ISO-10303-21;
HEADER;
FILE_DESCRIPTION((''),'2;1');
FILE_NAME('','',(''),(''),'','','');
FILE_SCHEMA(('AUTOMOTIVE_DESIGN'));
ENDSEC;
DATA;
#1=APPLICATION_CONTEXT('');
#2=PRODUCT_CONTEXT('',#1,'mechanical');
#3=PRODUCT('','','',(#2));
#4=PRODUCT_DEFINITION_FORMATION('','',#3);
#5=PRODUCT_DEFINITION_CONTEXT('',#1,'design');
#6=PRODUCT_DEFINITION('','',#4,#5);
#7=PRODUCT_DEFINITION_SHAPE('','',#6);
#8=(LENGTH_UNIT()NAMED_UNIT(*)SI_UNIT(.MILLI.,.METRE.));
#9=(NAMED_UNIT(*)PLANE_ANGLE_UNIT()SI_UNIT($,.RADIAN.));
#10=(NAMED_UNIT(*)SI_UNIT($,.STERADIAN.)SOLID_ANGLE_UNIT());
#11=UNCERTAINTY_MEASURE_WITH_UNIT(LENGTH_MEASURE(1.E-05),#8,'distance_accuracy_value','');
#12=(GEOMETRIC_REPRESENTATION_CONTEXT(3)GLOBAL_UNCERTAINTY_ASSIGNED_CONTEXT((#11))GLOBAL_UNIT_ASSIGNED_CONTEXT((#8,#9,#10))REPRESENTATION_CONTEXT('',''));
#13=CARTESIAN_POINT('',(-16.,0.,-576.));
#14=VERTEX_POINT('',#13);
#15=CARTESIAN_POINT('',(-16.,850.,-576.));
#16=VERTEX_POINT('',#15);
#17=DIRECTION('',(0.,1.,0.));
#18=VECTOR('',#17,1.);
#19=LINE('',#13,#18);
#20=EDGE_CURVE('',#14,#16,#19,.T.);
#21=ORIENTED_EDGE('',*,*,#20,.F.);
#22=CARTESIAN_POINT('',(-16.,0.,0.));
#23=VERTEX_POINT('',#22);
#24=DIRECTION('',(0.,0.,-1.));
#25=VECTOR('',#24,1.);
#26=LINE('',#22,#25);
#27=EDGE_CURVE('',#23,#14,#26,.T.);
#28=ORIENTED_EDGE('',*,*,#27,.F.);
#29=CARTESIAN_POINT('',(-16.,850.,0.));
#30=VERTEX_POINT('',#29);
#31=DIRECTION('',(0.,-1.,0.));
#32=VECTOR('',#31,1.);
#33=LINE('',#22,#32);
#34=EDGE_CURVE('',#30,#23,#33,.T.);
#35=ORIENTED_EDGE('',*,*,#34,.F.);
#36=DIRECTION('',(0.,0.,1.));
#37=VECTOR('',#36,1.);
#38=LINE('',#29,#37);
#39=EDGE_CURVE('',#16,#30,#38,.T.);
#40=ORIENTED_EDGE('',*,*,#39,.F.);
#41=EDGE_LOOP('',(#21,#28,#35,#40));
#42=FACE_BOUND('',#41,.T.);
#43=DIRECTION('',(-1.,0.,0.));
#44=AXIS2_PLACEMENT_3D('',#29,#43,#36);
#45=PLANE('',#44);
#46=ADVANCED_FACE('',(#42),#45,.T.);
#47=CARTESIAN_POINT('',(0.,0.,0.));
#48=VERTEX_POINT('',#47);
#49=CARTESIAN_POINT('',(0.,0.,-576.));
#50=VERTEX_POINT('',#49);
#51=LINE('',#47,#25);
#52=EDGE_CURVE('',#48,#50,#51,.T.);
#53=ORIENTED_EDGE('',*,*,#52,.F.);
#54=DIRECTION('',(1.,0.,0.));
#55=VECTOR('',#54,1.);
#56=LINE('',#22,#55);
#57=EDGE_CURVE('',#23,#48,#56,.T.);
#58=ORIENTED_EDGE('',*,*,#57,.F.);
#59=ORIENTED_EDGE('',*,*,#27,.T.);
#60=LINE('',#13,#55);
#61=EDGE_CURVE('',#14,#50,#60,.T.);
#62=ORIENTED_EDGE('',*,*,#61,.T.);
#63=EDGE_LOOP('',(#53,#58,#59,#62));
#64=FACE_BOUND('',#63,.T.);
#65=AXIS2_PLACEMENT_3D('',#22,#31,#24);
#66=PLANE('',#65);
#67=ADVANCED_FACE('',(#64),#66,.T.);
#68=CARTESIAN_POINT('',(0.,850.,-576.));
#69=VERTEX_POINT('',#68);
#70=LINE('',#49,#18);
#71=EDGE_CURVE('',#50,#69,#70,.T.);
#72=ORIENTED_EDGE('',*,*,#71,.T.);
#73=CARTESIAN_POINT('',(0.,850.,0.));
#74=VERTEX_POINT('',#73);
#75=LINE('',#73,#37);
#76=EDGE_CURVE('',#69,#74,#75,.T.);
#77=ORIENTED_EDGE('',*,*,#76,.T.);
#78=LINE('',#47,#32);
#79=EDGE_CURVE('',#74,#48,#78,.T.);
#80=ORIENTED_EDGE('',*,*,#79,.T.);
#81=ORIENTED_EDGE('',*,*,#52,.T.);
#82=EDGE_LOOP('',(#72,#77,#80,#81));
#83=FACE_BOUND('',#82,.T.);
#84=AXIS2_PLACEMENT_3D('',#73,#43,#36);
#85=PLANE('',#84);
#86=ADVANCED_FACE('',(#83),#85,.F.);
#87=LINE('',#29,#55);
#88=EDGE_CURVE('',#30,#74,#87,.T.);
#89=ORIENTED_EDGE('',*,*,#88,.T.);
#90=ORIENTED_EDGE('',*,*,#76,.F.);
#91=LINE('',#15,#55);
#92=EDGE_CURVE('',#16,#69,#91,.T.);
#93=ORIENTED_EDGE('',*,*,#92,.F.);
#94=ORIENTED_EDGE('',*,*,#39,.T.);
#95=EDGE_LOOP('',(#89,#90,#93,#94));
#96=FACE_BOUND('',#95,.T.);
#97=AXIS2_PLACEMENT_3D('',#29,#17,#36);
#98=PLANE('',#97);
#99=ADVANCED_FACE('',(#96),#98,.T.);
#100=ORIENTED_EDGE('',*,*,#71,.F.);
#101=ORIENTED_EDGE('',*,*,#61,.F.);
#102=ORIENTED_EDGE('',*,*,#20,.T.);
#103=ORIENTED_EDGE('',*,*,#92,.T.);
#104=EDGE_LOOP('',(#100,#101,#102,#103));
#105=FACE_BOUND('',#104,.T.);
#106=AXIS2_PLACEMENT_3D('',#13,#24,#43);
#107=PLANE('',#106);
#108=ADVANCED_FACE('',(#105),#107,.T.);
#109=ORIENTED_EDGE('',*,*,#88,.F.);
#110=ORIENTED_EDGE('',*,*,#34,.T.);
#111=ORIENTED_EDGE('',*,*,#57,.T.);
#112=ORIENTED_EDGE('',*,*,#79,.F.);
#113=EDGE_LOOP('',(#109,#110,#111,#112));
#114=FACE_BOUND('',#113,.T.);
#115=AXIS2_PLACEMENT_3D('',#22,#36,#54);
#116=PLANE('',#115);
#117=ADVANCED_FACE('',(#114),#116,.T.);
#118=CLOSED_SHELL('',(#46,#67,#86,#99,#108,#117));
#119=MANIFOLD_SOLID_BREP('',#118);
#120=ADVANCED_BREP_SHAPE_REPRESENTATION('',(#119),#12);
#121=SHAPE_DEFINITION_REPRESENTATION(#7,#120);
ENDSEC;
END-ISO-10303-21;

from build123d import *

# Parameters (mm, degrees)
SKETCH1_W      = 576
SKETCH1_H      = 850
EXTRUDE1_DEPTH = 16


with BuildPart() as part:
    # Sketch1 → Extrude1 (new body)
    with BuildSketch(Plane(origin=(0, 0, 0), x_dir=(0, 0, -1), z_dir=(1, 0, 0))):
        with Locations((288, 425)):
            Rectangle(SKETCH1_W, SKETCH1_H)
    extrude(amount=-EXTRUDE1_DEPTH)


solid = part.part
